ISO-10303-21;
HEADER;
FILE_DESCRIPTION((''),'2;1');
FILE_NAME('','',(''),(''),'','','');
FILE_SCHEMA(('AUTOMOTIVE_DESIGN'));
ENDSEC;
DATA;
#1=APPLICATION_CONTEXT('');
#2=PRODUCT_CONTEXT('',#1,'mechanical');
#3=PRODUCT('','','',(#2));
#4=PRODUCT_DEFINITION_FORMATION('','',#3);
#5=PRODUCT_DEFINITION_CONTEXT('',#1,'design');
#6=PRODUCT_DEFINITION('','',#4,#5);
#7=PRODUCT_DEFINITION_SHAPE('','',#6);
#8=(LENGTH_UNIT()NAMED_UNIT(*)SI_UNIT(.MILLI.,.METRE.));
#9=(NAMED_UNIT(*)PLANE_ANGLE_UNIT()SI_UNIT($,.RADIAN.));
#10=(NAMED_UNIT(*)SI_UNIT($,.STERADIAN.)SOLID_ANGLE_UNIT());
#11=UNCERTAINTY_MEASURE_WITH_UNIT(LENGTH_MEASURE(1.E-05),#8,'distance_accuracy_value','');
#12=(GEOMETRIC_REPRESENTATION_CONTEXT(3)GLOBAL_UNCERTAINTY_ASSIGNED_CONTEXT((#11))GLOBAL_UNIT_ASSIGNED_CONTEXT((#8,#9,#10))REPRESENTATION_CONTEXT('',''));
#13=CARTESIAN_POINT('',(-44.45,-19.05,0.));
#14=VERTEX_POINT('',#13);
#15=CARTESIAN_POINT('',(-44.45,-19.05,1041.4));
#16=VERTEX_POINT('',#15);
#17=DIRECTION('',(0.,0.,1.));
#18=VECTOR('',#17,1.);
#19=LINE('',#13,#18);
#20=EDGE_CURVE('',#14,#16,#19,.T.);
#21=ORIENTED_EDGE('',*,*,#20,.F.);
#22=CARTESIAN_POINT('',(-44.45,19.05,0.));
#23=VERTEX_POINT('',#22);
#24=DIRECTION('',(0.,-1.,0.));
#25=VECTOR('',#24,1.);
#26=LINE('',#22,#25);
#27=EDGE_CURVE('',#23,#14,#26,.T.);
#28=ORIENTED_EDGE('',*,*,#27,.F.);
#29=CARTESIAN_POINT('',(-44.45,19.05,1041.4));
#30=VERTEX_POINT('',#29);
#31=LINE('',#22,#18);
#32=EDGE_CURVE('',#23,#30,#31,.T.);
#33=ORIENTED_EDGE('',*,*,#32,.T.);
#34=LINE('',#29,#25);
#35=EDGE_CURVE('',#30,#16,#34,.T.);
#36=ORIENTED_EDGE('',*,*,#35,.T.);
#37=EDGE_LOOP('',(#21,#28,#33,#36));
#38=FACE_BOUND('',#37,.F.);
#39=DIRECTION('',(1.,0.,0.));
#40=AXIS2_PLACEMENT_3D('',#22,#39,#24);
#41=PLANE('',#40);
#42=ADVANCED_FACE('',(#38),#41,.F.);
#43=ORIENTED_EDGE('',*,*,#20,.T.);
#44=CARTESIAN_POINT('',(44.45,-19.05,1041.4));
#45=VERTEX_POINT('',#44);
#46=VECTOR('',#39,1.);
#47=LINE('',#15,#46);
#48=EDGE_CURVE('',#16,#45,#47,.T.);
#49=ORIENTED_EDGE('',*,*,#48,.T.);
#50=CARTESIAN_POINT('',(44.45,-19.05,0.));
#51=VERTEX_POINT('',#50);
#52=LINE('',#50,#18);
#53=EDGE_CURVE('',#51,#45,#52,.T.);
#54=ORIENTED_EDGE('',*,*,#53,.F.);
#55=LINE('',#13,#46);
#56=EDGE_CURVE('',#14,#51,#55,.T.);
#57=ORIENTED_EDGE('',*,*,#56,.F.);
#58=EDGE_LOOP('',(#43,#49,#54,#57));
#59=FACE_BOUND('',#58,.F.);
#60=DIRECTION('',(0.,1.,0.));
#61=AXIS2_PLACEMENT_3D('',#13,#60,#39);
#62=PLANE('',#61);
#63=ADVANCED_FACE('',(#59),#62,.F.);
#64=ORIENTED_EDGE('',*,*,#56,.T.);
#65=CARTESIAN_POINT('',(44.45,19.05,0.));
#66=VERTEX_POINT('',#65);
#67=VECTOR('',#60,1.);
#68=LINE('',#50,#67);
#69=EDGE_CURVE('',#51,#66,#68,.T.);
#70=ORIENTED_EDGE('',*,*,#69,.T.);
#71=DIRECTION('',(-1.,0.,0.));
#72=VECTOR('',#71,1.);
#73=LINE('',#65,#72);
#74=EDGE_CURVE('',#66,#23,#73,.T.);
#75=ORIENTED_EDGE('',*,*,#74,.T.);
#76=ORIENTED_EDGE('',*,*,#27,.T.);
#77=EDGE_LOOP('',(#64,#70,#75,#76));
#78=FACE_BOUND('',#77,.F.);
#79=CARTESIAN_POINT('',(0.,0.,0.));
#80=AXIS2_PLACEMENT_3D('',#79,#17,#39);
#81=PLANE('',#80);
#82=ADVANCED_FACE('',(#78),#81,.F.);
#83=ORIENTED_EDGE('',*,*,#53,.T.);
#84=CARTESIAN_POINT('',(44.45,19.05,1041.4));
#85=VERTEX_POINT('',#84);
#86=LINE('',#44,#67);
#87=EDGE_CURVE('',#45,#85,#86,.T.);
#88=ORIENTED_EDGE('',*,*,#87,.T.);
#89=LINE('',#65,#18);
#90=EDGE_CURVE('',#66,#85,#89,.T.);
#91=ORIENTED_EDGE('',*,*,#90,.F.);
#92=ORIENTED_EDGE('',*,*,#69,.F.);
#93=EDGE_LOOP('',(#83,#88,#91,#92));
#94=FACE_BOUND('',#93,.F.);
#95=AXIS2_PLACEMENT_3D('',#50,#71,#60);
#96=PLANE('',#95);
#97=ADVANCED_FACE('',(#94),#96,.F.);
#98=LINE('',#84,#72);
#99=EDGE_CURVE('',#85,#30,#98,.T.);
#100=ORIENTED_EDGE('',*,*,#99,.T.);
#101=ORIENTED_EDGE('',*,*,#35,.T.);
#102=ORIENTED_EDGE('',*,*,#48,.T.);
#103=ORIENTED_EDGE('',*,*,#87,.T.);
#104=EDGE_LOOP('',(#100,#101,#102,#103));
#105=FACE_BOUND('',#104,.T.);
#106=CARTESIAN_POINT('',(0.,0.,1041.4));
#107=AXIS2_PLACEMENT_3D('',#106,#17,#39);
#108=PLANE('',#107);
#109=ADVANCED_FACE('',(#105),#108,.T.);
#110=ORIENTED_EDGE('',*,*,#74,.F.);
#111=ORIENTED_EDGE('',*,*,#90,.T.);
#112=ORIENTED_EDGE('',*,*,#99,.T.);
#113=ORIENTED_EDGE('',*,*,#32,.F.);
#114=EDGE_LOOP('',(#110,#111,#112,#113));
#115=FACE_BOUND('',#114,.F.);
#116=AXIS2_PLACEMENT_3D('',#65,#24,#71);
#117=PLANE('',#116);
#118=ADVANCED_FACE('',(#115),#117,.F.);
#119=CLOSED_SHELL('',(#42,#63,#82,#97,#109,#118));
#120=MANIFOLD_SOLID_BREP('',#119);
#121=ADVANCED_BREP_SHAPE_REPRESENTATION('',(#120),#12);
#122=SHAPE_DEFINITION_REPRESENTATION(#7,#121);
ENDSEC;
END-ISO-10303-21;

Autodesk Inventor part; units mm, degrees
ref_plane "YZ Plane" through (0, 0, 0) normal (1, 0, 0) x (0, 1, 0)
ref_plane "XZ Plane" through (0, 0, 0) normal (0, 1, 0) x (-1, 0, 0)
ref_plane "XY Plane" through (0, 0, 0) normal (0, 0, 1) x (1, 0, 0)
sketch "Sketch1" plane through (0, 0, 0) normal (0, 0, 1) x (1, 0, 0)
  line L0 (-44.45, -19.05) -> (44.45, -19.05)
  line L1 (44.45, -19.05) -> (44.45, 19.05)
  line L2 (44.45, 19.05) -> (-44.45, 19.05)
  line L3 (-44.45, 19.05) -> (-44.45, -19.05)
  line L4 (-44.45, -19.05) -> (44.45, 19.05) construction
  line L5 (44.45, -19.05) -> (-44.45, 19.05) construction
  point P0 (0, 0)
  dimension "d0" = 88.9
  dimension "d1" = 38.1
extrude "Extrusion1" add sketch "Sketch1" along normal blind 1041.4
properties part number "2x4x41"
